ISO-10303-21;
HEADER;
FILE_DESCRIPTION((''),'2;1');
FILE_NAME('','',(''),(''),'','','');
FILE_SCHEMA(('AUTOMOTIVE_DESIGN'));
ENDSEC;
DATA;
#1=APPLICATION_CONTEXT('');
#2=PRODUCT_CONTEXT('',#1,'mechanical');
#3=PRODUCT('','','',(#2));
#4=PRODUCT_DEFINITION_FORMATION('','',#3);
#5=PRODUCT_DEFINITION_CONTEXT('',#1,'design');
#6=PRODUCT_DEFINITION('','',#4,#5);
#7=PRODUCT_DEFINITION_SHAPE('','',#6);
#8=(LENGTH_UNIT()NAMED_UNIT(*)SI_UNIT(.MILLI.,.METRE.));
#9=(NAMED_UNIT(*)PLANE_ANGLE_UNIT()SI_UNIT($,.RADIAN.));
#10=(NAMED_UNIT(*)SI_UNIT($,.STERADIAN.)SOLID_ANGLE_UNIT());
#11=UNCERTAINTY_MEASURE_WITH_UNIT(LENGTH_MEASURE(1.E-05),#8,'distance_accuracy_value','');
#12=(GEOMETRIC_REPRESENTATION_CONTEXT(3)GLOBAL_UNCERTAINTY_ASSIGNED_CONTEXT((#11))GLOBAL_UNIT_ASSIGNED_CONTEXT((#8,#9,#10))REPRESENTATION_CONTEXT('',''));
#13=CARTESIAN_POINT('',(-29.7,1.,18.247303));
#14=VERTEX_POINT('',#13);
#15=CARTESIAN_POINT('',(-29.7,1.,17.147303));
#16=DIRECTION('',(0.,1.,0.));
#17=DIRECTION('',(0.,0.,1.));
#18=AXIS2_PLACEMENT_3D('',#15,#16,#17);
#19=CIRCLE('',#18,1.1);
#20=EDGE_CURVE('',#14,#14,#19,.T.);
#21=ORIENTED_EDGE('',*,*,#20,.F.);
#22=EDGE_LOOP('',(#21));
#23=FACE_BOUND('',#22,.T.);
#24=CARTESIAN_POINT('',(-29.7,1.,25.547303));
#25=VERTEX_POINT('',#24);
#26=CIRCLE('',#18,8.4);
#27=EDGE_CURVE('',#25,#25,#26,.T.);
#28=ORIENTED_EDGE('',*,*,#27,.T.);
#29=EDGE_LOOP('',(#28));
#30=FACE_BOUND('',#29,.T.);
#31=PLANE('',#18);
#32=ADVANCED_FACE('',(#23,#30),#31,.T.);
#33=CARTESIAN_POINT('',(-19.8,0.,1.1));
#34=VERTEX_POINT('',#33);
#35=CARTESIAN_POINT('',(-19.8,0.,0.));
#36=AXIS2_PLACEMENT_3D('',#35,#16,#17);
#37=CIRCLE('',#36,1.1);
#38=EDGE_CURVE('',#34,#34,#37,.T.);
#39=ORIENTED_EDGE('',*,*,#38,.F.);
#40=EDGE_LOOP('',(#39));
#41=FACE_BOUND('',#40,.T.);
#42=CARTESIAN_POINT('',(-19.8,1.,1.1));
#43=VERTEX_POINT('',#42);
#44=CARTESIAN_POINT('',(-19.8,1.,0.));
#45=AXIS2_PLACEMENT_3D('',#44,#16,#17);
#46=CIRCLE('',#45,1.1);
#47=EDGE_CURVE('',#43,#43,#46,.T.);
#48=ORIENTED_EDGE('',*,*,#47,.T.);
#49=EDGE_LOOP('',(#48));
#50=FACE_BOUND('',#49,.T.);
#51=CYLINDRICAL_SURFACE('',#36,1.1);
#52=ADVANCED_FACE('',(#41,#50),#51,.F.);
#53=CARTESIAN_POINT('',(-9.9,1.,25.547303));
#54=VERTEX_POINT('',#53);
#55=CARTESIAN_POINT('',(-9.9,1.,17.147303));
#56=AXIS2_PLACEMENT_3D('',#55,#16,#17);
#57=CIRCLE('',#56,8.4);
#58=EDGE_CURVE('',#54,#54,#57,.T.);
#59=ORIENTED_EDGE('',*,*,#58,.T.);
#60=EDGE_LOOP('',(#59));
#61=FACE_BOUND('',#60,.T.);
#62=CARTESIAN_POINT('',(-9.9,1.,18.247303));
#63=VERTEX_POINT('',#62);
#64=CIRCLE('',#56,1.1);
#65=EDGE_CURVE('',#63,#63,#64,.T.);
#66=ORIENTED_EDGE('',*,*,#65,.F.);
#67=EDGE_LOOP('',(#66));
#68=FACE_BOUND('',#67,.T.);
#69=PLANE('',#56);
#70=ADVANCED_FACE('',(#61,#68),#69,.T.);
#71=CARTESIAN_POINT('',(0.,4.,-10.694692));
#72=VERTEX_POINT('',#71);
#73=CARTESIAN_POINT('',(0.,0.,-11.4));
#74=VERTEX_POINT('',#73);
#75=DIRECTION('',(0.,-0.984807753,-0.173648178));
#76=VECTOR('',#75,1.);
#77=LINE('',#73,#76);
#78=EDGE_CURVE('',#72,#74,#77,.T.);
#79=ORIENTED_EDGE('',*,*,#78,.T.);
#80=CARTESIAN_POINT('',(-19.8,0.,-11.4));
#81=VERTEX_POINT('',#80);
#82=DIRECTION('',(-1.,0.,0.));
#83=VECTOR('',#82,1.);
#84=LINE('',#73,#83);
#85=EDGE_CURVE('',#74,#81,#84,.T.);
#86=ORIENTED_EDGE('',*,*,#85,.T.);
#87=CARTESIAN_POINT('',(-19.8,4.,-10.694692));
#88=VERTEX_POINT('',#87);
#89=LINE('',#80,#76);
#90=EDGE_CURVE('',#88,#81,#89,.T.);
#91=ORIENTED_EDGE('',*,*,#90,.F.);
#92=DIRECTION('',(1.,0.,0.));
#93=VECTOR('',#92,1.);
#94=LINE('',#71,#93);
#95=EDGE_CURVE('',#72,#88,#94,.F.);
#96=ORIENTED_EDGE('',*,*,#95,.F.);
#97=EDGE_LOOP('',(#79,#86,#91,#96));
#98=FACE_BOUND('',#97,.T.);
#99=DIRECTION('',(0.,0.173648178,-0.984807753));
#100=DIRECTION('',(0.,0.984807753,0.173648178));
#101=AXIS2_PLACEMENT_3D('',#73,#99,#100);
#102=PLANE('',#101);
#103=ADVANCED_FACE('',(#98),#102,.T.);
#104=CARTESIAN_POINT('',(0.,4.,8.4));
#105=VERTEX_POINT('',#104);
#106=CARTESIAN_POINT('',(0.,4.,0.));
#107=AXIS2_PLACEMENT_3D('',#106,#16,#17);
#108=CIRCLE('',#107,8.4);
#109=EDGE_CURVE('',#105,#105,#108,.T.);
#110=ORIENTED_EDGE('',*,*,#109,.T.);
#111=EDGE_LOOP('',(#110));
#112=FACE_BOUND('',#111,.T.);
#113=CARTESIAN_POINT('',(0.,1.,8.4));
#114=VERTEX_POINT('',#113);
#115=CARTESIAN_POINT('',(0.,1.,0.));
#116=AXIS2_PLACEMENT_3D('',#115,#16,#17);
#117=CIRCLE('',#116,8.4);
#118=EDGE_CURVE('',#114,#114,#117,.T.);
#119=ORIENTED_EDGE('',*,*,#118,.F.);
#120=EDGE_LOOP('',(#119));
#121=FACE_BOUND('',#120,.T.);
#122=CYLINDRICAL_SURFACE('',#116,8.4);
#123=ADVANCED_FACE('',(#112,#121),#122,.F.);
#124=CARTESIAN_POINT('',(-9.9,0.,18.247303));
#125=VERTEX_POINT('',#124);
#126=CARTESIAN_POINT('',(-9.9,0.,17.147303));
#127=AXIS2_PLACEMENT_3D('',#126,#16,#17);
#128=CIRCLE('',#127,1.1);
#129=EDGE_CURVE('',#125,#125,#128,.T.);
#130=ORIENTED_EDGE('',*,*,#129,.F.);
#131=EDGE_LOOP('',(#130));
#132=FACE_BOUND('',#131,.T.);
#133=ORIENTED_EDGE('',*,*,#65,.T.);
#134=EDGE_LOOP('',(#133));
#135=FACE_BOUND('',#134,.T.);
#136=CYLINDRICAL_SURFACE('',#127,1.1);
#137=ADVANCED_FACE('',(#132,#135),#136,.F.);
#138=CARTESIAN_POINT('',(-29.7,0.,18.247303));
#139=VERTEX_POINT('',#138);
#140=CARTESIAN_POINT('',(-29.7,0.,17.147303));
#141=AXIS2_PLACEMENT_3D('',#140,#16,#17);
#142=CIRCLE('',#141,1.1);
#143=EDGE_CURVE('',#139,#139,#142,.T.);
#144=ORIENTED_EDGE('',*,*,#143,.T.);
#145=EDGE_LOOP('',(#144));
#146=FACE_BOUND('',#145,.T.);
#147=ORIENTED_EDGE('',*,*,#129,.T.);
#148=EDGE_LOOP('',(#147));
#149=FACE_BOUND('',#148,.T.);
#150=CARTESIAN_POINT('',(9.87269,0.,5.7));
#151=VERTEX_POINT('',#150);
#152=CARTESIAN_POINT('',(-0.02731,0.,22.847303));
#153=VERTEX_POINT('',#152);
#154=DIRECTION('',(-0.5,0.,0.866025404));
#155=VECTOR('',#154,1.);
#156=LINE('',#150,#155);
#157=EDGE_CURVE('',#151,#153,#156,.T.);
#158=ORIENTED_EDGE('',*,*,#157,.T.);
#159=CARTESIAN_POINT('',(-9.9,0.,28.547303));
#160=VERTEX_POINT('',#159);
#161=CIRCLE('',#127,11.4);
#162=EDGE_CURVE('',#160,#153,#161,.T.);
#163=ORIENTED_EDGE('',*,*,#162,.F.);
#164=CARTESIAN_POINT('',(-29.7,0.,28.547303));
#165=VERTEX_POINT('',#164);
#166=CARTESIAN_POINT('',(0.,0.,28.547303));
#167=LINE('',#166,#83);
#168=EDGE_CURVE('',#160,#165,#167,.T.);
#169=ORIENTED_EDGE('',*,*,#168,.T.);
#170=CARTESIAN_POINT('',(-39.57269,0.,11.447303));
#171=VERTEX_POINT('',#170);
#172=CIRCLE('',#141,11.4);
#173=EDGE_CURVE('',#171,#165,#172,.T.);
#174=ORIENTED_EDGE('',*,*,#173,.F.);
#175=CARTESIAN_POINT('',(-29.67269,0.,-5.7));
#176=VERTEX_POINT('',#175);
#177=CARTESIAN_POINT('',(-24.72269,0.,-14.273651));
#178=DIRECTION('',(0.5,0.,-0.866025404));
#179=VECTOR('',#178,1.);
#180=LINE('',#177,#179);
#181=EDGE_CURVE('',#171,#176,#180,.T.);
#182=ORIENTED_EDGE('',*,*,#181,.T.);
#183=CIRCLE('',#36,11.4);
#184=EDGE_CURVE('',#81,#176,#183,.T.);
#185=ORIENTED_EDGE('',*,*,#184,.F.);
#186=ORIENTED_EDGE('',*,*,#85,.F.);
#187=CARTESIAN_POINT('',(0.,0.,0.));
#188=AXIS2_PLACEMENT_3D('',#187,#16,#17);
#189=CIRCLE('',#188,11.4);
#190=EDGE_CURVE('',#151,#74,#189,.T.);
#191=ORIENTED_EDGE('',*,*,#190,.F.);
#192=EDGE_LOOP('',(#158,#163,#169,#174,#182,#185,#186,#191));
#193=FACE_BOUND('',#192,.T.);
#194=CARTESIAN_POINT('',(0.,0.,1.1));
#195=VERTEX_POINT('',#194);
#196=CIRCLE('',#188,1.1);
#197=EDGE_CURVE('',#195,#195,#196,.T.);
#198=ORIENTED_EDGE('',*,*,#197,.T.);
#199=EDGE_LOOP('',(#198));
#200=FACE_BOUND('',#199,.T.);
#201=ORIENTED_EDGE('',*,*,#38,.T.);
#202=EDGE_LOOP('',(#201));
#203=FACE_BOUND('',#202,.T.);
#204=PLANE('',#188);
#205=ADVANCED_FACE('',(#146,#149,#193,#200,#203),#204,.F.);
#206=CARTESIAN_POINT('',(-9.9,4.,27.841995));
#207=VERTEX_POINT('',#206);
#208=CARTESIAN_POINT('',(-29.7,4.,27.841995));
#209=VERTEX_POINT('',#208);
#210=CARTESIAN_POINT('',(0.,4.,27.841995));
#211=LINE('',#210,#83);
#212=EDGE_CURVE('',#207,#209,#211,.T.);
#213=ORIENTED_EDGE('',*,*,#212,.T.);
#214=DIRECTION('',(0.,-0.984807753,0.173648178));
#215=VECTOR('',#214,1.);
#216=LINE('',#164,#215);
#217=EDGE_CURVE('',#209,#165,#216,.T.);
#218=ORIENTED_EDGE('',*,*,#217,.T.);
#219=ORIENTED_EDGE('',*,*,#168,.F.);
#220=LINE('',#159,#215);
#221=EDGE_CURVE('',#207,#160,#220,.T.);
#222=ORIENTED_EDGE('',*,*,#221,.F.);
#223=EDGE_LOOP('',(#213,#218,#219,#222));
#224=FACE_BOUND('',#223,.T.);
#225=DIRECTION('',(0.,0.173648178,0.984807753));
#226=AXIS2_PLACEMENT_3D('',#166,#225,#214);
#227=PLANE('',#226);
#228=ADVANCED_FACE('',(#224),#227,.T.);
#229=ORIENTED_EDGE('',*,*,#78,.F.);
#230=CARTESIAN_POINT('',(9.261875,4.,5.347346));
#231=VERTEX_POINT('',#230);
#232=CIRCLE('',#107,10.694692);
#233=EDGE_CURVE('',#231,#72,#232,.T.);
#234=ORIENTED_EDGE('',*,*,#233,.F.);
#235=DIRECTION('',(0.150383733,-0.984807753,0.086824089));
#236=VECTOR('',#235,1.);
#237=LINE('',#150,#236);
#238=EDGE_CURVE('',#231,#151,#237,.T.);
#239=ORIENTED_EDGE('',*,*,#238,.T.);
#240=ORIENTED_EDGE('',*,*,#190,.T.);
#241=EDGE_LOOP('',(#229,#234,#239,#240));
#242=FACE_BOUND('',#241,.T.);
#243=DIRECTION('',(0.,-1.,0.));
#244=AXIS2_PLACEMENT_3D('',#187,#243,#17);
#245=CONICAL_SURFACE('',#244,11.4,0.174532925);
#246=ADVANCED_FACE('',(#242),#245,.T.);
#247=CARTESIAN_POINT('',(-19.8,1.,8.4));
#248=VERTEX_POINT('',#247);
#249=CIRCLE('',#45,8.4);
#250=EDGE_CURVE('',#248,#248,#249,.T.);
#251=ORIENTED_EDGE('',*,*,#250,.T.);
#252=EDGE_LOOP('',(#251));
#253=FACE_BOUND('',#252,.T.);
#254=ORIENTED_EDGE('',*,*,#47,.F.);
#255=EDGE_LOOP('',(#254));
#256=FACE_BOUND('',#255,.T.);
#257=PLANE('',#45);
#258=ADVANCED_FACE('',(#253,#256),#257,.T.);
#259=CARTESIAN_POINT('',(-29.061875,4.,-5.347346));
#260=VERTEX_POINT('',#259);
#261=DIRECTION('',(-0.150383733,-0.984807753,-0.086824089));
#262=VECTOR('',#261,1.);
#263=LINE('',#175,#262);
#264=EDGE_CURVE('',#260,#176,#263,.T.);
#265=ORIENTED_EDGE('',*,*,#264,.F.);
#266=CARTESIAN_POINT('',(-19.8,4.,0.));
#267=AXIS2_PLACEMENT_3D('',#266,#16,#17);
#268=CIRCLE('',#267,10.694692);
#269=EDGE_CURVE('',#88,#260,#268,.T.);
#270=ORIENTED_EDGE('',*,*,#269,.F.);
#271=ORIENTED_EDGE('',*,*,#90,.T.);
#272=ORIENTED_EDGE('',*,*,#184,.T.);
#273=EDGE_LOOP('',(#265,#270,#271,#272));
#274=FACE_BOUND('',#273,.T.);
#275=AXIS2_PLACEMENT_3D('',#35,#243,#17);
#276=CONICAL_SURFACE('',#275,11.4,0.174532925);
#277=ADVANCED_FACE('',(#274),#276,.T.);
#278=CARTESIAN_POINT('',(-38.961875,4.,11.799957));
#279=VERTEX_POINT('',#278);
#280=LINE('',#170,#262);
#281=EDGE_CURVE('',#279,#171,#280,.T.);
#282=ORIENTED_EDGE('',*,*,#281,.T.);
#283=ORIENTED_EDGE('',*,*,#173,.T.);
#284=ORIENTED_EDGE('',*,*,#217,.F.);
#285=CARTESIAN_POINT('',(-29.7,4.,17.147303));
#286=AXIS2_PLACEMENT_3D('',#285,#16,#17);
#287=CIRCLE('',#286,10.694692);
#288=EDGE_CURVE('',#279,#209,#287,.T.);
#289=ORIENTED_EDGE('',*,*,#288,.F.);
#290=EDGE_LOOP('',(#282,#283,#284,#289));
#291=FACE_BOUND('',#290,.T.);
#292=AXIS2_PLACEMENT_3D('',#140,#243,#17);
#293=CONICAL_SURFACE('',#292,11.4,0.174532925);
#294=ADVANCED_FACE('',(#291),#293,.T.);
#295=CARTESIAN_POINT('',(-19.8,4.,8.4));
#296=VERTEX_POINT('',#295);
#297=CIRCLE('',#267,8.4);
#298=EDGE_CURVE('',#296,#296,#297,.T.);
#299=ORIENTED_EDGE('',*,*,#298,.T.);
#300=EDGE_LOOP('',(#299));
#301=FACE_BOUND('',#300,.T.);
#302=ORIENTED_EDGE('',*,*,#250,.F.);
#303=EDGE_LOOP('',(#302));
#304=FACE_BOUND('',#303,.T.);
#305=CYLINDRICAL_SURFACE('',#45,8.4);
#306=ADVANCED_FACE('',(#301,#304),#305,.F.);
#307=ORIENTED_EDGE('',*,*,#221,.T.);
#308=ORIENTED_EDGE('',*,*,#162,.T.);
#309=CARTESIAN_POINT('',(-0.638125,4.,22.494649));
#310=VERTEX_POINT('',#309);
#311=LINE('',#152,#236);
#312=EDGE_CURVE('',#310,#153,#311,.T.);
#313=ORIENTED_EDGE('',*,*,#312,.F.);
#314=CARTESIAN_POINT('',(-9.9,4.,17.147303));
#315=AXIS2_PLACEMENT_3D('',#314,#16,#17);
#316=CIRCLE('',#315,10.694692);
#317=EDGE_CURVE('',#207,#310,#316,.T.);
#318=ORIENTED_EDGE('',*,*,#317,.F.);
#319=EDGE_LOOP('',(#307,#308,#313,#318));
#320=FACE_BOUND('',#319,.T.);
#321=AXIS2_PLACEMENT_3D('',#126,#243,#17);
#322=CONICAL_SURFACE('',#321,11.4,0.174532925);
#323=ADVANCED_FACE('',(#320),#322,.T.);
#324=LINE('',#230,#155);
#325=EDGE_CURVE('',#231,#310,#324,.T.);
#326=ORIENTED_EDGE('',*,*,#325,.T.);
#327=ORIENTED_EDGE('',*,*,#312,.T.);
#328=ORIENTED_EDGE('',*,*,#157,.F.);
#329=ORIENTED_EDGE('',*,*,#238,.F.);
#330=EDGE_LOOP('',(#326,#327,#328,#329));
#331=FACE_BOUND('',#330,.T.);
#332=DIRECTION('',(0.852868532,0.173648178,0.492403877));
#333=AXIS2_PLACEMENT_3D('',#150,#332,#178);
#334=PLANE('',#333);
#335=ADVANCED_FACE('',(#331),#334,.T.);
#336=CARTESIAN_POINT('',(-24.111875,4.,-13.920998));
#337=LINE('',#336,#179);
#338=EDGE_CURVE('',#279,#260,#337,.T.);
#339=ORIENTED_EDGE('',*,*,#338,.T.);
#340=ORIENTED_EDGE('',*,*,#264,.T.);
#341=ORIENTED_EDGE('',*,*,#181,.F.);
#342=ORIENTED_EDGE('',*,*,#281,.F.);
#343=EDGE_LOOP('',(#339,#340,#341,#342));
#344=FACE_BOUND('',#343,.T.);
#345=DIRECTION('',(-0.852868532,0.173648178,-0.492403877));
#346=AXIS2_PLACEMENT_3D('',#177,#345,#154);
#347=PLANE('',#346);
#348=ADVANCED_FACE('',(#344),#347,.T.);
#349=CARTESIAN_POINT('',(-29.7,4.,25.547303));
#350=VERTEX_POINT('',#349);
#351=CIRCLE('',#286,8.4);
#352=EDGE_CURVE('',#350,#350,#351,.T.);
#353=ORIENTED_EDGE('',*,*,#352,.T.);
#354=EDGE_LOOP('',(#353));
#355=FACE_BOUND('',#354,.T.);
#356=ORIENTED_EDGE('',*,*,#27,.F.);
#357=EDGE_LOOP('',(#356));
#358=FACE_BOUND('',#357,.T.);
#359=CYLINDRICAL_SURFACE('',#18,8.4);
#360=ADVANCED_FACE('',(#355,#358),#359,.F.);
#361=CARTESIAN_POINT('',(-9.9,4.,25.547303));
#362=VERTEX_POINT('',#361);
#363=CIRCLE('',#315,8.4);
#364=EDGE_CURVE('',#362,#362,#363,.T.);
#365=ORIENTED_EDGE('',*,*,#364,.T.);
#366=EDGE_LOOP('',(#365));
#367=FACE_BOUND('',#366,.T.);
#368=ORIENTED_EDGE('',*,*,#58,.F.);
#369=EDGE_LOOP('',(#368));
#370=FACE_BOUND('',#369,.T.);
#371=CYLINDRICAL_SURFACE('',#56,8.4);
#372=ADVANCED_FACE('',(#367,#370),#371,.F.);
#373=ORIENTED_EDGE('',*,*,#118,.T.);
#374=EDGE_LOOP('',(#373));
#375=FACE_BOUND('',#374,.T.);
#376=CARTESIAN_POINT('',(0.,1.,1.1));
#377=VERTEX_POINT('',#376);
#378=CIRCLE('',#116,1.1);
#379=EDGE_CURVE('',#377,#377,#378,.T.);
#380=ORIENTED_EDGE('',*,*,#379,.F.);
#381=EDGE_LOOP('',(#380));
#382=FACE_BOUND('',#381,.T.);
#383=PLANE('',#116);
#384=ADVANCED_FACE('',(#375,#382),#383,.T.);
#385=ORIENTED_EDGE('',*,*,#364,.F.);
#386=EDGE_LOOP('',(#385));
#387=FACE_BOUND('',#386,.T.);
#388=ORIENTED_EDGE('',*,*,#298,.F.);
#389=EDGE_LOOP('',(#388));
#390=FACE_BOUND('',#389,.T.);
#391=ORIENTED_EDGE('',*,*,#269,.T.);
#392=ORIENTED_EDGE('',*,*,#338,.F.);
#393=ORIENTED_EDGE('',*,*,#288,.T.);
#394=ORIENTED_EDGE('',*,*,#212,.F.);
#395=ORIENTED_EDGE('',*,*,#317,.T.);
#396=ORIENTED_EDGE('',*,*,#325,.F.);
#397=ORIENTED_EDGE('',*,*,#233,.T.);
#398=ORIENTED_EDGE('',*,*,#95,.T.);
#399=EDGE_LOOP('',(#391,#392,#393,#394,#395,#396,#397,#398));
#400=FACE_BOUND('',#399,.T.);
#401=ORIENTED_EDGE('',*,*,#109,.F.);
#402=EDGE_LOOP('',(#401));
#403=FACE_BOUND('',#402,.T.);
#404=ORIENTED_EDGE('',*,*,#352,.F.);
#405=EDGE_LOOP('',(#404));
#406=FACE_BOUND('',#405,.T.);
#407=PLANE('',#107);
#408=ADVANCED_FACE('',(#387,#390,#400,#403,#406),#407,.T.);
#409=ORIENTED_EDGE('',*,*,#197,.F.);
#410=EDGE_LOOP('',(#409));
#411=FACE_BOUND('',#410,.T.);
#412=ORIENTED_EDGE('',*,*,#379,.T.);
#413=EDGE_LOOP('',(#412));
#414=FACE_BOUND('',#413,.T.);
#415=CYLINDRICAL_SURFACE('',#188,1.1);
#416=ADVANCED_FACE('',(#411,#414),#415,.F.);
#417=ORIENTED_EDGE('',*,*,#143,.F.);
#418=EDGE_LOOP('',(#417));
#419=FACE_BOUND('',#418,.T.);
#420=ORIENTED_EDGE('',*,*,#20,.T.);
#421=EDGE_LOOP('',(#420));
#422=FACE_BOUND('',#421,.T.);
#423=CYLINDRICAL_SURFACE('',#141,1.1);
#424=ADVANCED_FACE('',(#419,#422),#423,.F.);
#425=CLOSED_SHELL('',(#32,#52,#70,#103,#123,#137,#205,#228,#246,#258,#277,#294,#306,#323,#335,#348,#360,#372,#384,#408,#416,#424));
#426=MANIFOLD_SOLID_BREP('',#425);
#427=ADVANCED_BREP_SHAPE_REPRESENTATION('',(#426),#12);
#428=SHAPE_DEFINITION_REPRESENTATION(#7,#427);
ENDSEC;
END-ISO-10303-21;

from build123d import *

# Parameters (mm, degrees)
BOSS_EXTRUDE1_DEPTH = 4
BOSS_EXTRUDE1_TAPER = 10
CUT_EXTRUDE1_START  = 4
SKETCH1_3_R         = 1.1
CUT_EXTRUDE1_DEPTH  = 4
CUT_EXTRUDE2_START  = 4
SKETCH1_4_R         = 8.4
SKETCH1_4_R_2       = 1.1
CUT_EXTRUDE2_DEPTH  = 3


with BuildPart() as part:
    # Sketch1 → Boss-Extrude1 (new body)
    with BuildSketch(Plane(origin=(0, 0, 0), x_dir=(1, 0, 0), z_dir=(0, 1, 0))):
        with BuildLine():
            ThreePointArc((-19.8, 11.4), (-25.5, 9.872689603), (-29.672689603, 5.7))
            Line((-29.672689603, 5.7), (-39.572689603, -11.447302995))
            ThreePointArc((-39.572689603, -11.447302995), (-39.572689603, -22.847302995), (-29.7, -28.547302995))
            Line((-29.7, -28.547302995), (-9.9, -28.547302995))
            ThreePointArc((-9.9, -28.547302995), (-4.2, -27.019992598), (-0.027310397, -22.847302995))
            Line((-0.027310397, -22.847302995), (9.872689603, -5.7))
            ThreePointArc((9.872689603, -5.7), (9.872689603, 5.7), (0, 11.4))
            Line((0, 11.4), (-19.8, 11.4))
        make_face()
    extrude(amount=BOSS_EXTRUDE1_DEPTH, taper=BOSS_EXTRUDE1_TAPER)

    # Sketch1<3> → Cut-Extrude1 (cut)
    with BuildSketch(Plane(origin=(0, 0, 0), x_dir=(1, 0, 0), z_dir=(0, 1, 0)).offset(CUT_EXTRUDE1_START)):
        with Locations(Location((-9.9, -17.147302995, 0), (0, 0, 270))):
            Circle(SKETCH1_3_R)
        with Locations(Location((0, 0, 0), (0, 0, 270))):
            Circle(SKETCH1_3_R)
        with Locations(Location((-29.7, -17.147302995, 0), (0, 0, 270))):
            Circle(SKETCH1_3_R)
        with Locations(Location((-19.8, 0, 0), (0, 0, 270))):
            Circle(SKETCH1_3_R)
    extrude(amount=-CUT_EXTRUDE1_DEPTH, mode=Mode.SUBTRACT)

    # Sketch1<4> → Cut-Extrude2 (cut)
    # profile 1 of 4: a face of its own
    with BuildSketch(Plane(origin=(0, 0, 0), x_dir=(1, 0, 0), z_dir=(0, 1, 0)).offset(CUT_EXTRUDE2_START)):
        with Locations(Location((-19.8, 0, 0), (0, 0, 270))):
            Circle(SKETCH1_4_R)
        with Locations(Location((-19.8, 0, 0), (0, 0, 270))):
            Circle(SKETCH1_4_R_2, mode=Mode.SUBTRACT)
    # profile 2 of 4: a face of its own
    with BuildSketch(Plane(origin=(0, 0, 0), x_dir=(1, 0, 0), z_dir=(0, 1, 0)).offset(CUT_EXTRUDE2_START)):
        with Locations(Location((-9.9, -17.147302995, 0), (0, 0, 270))):
            Circle(SKETCH1_4_R)
        with Locations(Location((-9.9, -17.147302995, 0), (0, 0, 270))):
            Circle(SKETCH1_4_R_2, mode=Mode.SUBTRACT)
    # profile 3 of 4: a face of its own
    with BuildSketch(Plane(origin=(0, 0, 0), x_dir=(1, 0, 0), z_dir=(0, 1, 0)).offset(CUT_EXTRUDE2_START)):
        with Locations(Location((0, 0, 0), (0, 0, 270))):
            Circle(SKETCH1_4_R)
        with Locations(Location((0, 0, 0), (0, 0, 270))):
            Circle(SKETCH1_4_R_2, mode=Mode.SUBTRACT)
    # profile 4 of 4: a face of its own
    with BuildSketch(Plane(origin=(0, 0, 0), x_dir=(1, 0, 0), z_dir=(0, 1, 0)).offset(CUT_EXTRUDE2_START)):
        with Locations(Location((-29.7, -17.147302995, 0), (0, 0, 270))):
            Circle(SKETCH1_4_R)
        with Locations(Location((-29.7, -17.147302995, 0), (0, 0, 270))):
            Circle(SKETCH1_4_R_2, mode=Mode.SUBTRACT)
    extrude(amount=-CUT_EXTRUDE2_DEPTH, mode=Mode.SUBTRACT)


solid = part.part
